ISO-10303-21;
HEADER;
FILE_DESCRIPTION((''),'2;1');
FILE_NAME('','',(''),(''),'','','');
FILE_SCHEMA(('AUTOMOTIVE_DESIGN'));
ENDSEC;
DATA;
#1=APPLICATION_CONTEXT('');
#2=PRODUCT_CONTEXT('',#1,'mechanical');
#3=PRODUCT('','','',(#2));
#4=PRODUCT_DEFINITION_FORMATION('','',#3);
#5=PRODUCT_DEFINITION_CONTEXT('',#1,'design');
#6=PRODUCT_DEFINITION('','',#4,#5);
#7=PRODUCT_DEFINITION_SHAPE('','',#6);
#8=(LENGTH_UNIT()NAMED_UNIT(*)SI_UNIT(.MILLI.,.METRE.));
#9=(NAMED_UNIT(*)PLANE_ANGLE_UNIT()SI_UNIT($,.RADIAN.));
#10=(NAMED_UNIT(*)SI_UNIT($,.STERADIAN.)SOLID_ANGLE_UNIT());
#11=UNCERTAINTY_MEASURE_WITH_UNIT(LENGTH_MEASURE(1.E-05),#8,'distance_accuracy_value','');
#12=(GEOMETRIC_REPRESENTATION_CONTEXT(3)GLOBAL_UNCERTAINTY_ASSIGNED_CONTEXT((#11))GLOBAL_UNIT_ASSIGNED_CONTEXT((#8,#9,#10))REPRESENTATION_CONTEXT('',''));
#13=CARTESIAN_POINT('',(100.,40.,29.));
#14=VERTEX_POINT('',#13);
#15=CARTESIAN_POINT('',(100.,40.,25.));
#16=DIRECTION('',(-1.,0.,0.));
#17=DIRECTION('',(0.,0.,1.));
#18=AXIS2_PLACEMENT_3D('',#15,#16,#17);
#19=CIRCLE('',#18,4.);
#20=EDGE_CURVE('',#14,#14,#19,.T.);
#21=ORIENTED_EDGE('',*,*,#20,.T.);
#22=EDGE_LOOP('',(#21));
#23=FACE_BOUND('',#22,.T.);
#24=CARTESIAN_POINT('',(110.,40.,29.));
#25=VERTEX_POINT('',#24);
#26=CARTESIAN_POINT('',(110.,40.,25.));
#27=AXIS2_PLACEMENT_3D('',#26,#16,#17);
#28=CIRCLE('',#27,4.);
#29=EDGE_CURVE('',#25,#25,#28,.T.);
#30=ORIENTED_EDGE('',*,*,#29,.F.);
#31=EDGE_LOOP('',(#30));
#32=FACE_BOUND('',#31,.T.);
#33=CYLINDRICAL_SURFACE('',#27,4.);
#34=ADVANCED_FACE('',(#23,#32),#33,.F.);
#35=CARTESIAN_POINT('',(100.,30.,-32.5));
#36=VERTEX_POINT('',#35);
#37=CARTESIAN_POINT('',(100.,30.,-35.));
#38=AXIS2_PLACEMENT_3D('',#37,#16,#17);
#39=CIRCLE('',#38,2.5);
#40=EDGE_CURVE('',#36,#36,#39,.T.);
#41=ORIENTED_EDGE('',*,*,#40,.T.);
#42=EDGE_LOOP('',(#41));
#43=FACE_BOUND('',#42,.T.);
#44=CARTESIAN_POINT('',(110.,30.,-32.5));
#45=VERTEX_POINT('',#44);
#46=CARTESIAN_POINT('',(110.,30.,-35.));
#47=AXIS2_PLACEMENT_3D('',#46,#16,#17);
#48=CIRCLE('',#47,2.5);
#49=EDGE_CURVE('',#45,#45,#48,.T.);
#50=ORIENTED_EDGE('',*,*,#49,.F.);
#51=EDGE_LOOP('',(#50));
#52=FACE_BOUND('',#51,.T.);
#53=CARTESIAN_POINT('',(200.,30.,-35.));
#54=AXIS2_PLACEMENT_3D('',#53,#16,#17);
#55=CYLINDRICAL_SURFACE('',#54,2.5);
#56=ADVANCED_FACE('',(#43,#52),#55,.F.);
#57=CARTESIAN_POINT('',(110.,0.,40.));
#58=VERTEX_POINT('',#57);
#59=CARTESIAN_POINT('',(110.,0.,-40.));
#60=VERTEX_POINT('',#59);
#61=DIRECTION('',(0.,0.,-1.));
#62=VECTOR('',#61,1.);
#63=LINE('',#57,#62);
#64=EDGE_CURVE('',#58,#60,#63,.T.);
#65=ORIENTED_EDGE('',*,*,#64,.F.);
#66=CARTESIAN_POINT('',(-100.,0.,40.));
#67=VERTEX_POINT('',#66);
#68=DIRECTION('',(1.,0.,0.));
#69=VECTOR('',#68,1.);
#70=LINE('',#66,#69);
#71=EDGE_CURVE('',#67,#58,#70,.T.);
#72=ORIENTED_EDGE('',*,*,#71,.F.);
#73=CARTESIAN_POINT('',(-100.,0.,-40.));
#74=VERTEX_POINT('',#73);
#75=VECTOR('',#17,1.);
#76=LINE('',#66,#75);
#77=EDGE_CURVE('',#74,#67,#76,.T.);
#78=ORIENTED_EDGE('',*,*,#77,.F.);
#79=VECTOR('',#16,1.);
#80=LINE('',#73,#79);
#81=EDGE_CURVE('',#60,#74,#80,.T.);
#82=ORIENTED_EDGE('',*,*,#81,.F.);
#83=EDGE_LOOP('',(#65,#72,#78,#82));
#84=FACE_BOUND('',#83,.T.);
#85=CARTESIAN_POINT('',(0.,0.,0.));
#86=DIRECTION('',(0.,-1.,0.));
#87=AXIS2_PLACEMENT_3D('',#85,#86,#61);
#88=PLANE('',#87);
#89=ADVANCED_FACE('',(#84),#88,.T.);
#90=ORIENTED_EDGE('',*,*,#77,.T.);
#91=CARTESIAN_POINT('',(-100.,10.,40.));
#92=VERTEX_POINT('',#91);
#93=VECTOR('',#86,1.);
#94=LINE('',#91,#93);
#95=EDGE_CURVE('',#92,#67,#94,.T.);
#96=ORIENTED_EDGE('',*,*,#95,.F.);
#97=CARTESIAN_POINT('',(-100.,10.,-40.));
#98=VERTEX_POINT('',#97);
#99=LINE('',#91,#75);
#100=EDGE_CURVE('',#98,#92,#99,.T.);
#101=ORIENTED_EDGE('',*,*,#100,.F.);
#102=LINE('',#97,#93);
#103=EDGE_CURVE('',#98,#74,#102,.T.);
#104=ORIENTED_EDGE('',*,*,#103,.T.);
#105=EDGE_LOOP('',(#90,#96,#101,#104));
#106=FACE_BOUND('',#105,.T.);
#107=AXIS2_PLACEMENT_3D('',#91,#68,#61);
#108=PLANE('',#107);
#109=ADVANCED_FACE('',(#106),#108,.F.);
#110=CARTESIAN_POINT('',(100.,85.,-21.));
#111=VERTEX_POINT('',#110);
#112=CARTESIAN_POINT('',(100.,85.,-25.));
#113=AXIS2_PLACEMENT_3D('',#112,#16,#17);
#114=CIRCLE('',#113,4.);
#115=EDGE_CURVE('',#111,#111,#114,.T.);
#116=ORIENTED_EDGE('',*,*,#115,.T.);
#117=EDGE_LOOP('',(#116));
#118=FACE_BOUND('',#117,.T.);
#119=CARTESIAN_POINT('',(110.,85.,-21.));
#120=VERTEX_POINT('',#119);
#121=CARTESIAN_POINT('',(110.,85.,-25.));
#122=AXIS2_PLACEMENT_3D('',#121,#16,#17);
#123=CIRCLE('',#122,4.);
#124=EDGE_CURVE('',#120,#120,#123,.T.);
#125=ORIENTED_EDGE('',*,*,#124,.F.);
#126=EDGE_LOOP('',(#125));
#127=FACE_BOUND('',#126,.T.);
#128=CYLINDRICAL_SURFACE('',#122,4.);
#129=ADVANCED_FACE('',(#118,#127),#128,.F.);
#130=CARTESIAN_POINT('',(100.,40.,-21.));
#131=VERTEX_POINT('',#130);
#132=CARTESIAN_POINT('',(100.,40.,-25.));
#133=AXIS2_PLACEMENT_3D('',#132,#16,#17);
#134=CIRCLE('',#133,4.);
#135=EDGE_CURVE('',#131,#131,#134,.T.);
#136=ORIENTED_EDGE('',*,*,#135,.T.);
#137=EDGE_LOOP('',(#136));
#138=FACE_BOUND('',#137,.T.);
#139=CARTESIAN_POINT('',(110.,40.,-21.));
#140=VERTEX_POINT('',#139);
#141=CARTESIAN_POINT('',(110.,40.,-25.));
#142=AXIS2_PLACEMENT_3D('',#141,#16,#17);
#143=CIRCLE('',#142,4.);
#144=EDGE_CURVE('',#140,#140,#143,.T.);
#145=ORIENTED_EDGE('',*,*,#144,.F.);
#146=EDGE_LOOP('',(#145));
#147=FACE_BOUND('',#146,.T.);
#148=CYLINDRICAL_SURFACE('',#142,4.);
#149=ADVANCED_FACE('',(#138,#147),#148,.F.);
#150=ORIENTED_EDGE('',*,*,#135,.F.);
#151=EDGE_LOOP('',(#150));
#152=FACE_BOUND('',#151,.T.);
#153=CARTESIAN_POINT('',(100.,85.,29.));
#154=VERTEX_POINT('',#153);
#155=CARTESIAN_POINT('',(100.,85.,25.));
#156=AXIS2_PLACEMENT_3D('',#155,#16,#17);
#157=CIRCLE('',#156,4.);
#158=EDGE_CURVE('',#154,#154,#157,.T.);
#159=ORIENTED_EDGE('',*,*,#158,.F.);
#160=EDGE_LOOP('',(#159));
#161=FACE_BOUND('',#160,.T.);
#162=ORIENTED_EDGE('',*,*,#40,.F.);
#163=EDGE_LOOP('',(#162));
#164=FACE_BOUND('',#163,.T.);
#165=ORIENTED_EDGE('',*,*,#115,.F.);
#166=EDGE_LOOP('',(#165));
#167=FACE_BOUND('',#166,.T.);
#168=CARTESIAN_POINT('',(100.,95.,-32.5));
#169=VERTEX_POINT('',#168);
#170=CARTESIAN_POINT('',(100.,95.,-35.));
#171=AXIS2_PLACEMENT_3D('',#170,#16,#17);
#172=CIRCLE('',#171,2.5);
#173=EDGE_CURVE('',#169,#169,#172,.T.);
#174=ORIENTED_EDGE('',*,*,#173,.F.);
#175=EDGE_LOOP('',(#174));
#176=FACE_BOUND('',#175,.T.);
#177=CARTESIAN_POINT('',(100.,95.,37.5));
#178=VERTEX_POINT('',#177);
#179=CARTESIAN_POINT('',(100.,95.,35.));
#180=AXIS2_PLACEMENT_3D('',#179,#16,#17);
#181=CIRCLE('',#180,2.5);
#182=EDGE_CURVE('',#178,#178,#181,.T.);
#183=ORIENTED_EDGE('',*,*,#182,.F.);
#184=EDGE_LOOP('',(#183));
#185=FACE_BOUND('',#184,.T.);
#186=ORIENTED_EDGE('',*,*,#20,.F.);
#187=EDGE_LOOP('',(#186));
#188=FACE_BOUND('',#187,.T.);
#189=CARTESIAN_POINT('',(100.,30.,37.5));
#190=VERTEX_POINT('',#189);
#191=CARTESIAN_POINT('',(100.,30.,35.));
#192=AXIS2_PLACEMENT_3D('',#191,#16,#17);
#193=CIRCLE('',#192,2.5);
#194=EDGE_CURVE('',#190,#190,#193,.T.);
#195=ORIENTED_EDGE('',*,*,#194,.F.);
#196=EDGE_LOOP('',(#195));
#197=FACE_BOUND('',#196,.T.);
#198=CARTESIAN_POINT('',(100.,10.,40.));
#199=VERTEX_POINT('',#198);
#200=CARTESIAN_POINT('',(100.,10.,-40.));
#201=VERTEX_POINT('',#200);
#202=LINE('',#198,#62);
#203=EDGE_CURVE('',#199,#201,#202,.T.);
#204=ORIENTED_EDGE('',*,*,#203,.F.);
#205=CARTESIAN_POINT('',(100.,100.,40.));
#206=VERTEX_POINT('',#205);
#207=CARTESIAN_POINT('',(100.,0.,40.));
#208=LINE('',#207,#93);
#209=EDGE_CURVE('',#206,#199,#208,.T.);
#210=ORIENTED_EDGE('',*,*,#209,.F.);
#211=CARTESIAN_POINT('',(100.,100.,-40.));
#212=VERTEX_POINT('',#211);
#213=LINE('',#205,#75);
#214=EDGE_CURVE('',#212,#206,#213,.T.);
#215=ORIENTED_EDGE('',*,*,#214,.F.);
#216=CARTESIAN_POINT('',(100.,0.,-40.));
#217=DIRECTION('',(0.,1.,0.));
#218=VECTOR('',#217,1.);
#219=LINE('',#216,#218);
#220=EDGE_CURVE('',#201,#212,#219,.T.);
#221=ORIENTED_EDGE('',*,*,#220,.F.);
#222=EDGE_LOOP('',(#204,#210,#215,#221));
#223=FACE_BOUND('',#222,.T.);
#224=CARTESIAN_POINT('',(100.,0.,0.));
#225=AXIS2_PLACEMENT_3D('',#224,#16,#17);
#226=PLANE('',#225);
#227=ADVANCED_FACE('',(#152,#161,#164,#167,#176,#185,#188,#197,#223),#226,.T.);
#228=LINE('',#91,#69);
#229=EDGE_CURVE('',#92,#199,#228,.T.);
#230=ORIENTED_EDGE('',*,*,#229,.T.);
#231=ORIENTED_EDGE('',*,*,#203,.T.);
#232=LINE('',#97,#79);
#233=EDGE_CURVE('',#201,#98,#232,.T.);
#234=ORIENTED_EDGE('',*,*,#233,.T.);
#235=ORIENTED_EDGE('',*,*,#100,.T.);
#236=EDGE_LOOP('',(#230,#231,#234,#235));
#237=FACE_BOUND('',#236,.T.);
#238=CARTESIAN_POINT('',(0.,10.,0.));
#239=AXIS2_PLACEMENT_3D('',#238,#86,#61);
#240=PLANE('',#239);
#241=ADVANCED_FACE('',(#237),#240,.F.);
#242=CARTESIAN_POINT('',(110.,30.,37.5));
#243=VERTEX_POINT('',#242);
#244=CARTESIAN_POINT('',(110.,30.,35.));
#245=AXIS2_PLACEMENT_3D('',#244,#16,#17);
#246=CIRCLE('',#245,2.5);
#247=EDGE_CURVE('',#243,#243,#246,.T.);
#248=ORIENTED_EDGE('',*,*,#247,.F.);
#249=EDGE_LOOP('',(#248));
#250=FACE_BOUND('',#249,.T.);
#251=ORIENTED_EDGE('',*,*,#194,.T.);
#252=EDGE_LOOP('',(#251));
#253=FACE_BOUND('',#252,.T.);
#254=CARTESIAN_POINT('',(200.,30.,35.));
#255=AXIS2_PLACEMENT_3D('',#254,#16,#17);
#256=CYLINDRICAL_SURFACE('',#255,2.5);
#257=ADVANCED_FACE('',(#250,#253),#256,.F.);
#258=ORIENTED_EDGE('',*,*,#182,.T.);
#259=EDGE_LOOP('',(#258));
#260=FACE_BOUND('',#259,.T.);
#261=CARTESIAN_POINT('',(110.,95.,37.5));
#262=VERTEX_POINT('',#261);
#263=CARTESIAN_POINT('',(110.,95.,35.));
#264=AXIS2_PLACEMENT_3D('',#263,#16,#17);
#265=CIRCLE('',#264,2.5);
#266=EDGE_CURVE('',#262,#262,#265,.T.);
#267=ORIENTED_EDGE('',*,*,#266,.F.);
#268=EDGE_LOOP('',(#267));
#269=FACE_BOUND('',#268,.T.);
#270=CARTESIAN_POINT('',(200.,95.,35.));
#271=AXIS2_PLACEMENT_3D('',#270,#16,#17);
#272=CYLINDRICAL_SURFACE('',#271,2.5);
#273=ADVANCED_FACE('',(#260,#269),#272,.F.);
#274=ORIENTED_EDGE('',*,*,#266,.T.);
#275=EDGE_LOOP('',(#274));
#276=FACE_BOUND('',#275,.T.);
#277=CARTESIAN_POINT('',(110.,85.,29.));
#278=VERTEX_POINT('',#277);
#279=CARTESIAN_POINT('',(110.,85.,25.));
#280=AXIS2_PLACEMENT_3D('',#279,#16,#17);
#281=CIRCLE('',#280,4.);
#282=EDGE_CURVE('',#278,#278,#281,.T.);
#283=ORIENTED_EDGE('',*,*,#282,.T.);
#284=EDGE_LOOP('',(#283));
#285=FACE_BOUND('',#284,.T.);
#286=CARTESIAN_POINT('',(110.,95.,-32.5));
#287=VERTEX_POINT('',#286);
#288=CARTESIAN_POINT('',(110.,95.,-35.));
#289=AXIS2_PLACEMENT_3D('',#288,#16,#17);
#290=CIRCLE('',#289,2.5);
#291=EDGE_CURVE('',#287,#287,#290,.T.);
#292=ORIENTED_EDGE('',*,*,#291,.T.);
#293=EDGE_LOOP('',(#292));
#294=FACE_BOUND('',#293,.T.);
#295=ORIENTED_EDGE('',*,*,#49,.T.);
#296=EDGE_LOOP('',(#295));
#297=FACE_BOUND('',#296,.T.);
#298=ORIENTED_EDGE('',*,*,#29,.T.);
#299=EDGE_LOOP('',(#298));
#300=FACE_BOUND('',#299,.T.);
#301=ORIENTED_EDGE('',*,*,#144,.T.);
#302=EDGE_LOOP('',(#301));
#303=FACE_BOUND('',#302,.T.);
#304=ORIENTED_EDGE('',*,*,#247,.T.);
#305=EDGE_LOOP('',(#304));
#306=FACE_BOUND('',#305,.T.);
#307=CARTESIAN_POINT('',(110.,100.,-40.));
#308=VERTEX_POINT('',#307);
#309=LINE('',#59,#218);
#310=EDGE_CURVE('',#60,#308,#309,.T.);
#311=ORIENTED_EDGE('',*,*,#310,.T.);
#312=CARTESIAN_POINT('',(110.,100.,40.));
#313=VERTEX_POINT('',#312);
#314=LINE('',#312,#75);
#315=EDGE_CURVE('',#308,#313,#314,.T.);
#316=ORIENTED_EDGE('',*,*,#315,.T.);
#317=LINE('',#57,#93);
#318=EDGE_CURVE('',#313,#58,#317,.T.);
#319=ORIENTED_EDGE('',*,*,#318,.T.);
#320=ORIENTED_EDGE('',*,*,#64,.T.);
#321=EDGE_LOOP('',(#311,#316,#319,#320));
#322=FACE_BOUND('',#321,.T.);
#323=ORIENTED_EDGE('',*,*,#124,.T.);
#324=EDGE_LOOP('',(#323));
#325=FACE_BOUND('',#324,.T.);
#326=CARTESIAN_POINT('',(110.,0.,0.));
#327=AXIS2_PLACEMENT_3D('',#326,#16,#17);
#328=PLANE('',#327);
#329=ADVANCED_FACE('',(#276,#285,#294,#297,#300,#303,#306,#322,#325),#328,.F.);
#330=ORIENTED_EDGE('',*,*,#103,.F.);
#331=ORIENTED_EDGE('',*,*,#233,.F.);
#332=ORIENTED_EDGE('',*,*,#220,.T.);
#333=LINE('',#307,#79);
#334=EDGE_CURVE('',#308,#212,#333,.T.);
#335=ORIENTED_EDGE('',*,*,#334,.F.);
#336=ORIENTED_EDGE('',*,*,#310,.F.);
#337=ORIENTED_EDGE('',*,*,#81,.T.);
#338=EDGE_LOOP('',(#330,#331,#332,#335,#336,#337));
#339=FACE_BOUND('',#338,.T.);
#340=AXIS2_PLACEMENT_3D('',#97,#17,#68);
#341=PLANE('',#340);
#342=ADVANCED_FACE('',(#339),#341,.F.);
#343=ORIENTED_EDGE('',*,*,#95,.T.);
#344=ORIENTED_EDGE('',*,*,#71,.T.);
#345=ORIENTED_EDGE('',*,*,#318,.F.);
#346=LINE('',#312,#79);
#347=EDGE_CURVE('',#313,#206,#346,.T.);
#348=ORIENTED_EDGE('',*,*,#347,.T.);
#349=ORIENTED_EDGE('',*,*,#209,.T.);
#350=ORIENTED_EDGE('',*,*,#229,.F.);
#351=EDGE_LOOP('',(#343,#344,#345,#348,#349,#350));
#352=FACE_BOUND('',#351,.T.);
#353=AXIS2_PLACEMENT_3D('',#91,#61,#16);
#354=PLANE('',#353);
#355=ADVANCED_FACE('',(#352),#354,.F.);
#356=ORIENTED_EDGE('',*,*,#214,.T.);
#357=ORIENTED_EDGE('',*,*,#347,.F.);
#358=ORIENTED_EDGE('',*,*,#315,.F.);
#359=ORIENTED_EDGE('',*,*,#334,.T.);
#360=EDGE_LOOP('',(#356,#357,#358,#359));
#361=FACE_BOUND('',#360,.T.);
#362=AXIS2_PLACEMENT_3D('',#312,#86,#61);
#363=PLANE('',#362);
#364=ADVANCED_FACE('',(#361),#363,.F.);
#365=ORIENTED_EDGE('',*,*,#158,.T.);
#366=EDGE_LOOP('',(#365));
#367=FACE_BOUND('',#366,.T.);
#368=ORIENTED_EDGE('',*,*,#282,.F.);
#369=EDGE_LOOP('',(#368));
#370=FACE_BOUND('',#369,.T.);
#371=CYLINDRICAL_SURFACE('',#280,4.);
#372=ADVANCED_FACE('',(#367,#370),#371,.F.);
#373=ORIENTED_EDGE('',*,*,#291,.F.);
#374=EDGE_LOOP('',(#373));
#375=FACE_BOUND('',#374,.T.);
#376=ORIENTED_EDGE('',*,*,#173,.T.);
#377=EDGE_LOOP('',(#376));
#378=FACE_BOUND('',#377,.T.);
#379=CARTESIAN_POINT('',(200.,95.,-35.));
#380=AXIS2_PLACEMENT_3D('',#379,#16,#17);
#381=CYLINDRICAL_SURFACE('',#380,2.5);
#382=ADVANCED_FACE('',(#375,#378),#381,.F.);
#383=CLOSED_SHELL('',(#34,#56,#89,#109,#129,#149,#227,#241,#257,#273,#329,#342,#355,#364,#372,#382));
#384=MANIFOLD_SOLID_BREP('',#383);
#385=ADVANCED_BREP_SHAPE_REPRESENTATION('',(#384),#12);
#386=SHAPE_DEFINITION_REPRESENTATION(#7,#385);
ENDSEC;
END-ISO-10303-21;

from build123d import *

# Parameters (mm, degrees)
SKETCH2_W           = 200
SKETCH2_H           = 80
BOSS_EXTRUDE1_DEPTH = 10
SKETCH3_W           = 80
SKETCH3_H           = 100
BOSS_EXTRUDE2_DEPTH = 10
SKETCH6_R           = 4
CUT_EXTRUDE2_DEPTH  = 10
SKETCH8_R           = 2.5
CUT_EXTRUDE3_DEPTH  = 100


with BuildPart() as part:
    # Sketch2 → Boss-Extrude1 (new body)
    with BuildSketch(Plane(origin=(0, 0, 0), x_dir=(1, 0, 0), z_dir=(0, 1, 0))):
        Rectangle(SKETCH2_W, SKETCH2_H)
    extrude(amount=BOSS_EXTRUDE1_DEPTH)

    # Sketch3 → Boss-Extrude2 (add)
    with BuildSketch(Plane(origin=(100, 0, 0), x_dir=(0, 0, -1), z_dir=(1, 0, 0))):
        with Locations((0, 50)):
            Rectangle(SKETCH3_W, SKETCH3_H)
    extrude(amount=BOSS_EXTRUDE2_DEPTH)

    # Sketch6 → Cut-Extrude2 (cut)
    with BuildSketch(Plane.ZY.offset(-100)):
        with Locations((-25, 85)):
            Circle(SKETCH6_R)
        with Locations((25, 85)):
            Circle(SKETCH6_R)
        with Locations((-25, 40)):
            Circle(SKETCH6_R)
        with Locations((25, 40)):
            Circle(SKETCH6_R)
    extrude(amount=-CUT_EXTRUDE2_DEPTH, mode=Mode.SUBTRACT)

    # Sketch8 → Cut-Extrude3 (cut)
    with BuildSketch(Plane.ZY.offset(-100)):
        with Locations((-35, 95)):
            Circle(SKETCH8_R)
        with Locations((35, 95)):
            Circle(SKETCH8_R)
        with Locations((-35, 30)):
            Circle(SKETCH8_R)
        with Locations((35, 30)):
            Circle(SKETCH8_R)
    extrude(amount=-CUT_EXTRUDE3_DEPTH, mode=Mode.SUBTRACT)


solid = part.part
